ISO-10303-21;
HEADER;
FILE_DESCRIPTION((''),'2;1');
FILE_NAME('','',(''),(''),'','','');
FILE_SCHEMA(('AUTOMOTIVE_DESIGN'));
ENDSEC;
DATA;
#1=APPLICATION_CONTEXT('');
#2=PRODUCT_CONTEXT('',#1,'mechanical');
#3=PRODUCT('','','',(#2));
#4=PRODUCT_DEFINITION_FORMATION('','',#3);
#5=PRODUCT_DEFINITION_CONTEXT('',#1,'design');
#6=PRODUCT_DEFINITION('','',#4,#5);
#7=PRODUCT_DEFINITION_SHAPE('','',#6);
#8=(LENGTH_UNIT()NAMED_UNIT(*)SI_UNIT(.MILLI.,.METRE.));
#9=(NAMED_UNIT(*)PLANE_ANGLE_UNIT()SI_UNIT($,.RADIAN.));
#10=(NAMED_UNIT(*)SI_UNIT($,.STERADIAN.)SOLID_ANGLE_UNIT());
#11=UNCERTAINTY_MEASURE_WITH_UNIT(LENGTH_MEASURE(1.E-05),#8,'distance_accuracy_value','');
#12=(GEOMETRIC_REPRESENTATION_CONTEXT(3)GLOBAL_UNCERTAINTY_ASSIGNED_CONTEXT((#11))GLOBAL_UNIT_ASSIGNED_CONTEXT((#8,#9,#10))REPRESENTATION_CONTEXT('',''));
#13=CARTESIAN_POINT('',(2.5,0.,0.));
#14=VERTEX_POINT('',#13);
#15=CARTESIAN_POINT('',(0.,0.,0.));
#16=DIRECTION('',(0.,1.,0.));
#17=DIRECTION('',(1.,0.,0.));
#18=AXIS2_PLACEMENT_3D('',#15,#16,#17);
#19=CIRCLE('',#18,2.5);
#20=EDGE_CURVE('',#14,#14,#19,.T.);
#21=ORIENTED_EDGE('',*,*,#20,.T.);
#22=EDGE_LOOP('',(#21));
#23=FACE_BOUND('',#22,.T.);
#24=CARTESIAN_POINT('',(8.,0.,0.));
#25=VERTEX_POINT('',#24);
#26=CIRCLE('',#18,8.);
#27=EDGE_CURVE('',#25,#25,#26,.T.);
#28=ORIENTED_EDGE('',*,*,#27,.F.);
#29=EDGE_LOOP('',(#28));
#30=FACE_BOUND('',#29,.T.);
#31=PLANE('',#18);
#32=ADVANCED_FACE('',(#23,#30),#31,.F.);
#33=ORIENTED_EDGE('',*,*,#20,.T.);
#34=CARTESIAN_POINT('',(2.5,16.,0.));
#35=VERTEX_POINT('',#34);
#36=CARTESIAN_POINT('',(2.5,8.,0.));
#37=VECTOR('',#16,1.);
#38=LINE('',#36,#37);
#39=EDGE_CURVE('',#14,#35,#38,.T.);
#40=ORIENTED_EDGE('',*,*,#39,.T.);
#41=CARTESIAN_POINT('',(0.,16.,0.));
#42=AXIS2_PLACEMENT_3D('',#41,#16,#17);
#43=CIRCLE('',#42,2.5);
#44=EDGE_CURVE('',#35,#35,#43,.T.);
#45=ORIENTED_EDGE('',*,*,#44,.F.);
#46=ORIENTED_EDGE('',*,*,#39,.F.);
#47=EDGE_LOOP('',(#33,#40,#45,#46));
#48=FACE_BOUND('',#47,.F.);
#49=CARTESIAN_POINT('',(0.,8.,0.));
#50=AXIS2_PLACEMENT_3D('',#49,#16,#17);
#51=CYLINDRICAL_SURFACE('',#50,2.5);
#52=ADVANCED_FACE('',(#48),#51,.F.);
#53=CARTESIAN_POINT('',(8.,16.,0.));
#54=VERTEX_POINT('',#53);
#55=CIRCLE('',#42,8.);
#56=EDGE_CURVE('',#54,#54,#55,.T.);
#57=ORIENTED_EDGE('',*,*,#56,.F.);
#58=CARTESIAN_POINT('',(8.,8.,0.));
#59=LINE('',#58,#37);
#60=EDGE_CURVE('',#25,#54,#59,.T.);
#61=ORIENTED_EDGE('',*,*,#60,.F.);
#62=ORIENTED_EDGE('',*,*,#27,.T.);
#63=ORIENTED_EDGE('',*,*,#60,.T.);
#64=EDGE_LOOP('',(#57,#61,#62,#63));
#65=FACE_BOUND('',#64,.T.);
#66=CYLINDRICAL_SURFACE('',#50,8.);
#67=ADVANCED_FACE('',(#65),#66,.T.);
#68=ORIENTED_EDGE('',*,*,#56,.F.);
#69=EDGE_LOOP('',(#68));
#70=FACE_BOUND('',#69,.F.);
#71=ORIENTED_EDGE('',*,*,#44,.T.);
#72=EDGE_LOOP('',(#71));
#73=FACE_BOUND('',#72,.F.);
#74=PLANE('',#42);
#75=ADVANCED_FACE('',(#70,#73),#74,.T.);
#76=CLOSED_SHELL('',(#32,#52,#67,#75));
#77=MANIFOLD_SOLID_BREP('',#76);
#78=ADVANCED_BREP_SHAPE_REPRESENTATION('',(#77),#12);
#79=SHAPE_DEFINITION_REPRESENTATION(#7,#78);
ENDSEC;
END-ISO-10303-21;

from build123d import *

# Parameters (mm, degrees)
SKETCH_W = 5.5
SKETCH_H = 16


with BuildPart() as part:
    # Sketch → Revolution (revolve)
    with BuildSketch(Plane.XY):
        with Locations((5.25, 8)):
            Rectangle(SKETCH_W, SKETCH_H)
    revolve(axis=Axis((0, 0, 0), (0, 1, 0)))


solid = part.part
